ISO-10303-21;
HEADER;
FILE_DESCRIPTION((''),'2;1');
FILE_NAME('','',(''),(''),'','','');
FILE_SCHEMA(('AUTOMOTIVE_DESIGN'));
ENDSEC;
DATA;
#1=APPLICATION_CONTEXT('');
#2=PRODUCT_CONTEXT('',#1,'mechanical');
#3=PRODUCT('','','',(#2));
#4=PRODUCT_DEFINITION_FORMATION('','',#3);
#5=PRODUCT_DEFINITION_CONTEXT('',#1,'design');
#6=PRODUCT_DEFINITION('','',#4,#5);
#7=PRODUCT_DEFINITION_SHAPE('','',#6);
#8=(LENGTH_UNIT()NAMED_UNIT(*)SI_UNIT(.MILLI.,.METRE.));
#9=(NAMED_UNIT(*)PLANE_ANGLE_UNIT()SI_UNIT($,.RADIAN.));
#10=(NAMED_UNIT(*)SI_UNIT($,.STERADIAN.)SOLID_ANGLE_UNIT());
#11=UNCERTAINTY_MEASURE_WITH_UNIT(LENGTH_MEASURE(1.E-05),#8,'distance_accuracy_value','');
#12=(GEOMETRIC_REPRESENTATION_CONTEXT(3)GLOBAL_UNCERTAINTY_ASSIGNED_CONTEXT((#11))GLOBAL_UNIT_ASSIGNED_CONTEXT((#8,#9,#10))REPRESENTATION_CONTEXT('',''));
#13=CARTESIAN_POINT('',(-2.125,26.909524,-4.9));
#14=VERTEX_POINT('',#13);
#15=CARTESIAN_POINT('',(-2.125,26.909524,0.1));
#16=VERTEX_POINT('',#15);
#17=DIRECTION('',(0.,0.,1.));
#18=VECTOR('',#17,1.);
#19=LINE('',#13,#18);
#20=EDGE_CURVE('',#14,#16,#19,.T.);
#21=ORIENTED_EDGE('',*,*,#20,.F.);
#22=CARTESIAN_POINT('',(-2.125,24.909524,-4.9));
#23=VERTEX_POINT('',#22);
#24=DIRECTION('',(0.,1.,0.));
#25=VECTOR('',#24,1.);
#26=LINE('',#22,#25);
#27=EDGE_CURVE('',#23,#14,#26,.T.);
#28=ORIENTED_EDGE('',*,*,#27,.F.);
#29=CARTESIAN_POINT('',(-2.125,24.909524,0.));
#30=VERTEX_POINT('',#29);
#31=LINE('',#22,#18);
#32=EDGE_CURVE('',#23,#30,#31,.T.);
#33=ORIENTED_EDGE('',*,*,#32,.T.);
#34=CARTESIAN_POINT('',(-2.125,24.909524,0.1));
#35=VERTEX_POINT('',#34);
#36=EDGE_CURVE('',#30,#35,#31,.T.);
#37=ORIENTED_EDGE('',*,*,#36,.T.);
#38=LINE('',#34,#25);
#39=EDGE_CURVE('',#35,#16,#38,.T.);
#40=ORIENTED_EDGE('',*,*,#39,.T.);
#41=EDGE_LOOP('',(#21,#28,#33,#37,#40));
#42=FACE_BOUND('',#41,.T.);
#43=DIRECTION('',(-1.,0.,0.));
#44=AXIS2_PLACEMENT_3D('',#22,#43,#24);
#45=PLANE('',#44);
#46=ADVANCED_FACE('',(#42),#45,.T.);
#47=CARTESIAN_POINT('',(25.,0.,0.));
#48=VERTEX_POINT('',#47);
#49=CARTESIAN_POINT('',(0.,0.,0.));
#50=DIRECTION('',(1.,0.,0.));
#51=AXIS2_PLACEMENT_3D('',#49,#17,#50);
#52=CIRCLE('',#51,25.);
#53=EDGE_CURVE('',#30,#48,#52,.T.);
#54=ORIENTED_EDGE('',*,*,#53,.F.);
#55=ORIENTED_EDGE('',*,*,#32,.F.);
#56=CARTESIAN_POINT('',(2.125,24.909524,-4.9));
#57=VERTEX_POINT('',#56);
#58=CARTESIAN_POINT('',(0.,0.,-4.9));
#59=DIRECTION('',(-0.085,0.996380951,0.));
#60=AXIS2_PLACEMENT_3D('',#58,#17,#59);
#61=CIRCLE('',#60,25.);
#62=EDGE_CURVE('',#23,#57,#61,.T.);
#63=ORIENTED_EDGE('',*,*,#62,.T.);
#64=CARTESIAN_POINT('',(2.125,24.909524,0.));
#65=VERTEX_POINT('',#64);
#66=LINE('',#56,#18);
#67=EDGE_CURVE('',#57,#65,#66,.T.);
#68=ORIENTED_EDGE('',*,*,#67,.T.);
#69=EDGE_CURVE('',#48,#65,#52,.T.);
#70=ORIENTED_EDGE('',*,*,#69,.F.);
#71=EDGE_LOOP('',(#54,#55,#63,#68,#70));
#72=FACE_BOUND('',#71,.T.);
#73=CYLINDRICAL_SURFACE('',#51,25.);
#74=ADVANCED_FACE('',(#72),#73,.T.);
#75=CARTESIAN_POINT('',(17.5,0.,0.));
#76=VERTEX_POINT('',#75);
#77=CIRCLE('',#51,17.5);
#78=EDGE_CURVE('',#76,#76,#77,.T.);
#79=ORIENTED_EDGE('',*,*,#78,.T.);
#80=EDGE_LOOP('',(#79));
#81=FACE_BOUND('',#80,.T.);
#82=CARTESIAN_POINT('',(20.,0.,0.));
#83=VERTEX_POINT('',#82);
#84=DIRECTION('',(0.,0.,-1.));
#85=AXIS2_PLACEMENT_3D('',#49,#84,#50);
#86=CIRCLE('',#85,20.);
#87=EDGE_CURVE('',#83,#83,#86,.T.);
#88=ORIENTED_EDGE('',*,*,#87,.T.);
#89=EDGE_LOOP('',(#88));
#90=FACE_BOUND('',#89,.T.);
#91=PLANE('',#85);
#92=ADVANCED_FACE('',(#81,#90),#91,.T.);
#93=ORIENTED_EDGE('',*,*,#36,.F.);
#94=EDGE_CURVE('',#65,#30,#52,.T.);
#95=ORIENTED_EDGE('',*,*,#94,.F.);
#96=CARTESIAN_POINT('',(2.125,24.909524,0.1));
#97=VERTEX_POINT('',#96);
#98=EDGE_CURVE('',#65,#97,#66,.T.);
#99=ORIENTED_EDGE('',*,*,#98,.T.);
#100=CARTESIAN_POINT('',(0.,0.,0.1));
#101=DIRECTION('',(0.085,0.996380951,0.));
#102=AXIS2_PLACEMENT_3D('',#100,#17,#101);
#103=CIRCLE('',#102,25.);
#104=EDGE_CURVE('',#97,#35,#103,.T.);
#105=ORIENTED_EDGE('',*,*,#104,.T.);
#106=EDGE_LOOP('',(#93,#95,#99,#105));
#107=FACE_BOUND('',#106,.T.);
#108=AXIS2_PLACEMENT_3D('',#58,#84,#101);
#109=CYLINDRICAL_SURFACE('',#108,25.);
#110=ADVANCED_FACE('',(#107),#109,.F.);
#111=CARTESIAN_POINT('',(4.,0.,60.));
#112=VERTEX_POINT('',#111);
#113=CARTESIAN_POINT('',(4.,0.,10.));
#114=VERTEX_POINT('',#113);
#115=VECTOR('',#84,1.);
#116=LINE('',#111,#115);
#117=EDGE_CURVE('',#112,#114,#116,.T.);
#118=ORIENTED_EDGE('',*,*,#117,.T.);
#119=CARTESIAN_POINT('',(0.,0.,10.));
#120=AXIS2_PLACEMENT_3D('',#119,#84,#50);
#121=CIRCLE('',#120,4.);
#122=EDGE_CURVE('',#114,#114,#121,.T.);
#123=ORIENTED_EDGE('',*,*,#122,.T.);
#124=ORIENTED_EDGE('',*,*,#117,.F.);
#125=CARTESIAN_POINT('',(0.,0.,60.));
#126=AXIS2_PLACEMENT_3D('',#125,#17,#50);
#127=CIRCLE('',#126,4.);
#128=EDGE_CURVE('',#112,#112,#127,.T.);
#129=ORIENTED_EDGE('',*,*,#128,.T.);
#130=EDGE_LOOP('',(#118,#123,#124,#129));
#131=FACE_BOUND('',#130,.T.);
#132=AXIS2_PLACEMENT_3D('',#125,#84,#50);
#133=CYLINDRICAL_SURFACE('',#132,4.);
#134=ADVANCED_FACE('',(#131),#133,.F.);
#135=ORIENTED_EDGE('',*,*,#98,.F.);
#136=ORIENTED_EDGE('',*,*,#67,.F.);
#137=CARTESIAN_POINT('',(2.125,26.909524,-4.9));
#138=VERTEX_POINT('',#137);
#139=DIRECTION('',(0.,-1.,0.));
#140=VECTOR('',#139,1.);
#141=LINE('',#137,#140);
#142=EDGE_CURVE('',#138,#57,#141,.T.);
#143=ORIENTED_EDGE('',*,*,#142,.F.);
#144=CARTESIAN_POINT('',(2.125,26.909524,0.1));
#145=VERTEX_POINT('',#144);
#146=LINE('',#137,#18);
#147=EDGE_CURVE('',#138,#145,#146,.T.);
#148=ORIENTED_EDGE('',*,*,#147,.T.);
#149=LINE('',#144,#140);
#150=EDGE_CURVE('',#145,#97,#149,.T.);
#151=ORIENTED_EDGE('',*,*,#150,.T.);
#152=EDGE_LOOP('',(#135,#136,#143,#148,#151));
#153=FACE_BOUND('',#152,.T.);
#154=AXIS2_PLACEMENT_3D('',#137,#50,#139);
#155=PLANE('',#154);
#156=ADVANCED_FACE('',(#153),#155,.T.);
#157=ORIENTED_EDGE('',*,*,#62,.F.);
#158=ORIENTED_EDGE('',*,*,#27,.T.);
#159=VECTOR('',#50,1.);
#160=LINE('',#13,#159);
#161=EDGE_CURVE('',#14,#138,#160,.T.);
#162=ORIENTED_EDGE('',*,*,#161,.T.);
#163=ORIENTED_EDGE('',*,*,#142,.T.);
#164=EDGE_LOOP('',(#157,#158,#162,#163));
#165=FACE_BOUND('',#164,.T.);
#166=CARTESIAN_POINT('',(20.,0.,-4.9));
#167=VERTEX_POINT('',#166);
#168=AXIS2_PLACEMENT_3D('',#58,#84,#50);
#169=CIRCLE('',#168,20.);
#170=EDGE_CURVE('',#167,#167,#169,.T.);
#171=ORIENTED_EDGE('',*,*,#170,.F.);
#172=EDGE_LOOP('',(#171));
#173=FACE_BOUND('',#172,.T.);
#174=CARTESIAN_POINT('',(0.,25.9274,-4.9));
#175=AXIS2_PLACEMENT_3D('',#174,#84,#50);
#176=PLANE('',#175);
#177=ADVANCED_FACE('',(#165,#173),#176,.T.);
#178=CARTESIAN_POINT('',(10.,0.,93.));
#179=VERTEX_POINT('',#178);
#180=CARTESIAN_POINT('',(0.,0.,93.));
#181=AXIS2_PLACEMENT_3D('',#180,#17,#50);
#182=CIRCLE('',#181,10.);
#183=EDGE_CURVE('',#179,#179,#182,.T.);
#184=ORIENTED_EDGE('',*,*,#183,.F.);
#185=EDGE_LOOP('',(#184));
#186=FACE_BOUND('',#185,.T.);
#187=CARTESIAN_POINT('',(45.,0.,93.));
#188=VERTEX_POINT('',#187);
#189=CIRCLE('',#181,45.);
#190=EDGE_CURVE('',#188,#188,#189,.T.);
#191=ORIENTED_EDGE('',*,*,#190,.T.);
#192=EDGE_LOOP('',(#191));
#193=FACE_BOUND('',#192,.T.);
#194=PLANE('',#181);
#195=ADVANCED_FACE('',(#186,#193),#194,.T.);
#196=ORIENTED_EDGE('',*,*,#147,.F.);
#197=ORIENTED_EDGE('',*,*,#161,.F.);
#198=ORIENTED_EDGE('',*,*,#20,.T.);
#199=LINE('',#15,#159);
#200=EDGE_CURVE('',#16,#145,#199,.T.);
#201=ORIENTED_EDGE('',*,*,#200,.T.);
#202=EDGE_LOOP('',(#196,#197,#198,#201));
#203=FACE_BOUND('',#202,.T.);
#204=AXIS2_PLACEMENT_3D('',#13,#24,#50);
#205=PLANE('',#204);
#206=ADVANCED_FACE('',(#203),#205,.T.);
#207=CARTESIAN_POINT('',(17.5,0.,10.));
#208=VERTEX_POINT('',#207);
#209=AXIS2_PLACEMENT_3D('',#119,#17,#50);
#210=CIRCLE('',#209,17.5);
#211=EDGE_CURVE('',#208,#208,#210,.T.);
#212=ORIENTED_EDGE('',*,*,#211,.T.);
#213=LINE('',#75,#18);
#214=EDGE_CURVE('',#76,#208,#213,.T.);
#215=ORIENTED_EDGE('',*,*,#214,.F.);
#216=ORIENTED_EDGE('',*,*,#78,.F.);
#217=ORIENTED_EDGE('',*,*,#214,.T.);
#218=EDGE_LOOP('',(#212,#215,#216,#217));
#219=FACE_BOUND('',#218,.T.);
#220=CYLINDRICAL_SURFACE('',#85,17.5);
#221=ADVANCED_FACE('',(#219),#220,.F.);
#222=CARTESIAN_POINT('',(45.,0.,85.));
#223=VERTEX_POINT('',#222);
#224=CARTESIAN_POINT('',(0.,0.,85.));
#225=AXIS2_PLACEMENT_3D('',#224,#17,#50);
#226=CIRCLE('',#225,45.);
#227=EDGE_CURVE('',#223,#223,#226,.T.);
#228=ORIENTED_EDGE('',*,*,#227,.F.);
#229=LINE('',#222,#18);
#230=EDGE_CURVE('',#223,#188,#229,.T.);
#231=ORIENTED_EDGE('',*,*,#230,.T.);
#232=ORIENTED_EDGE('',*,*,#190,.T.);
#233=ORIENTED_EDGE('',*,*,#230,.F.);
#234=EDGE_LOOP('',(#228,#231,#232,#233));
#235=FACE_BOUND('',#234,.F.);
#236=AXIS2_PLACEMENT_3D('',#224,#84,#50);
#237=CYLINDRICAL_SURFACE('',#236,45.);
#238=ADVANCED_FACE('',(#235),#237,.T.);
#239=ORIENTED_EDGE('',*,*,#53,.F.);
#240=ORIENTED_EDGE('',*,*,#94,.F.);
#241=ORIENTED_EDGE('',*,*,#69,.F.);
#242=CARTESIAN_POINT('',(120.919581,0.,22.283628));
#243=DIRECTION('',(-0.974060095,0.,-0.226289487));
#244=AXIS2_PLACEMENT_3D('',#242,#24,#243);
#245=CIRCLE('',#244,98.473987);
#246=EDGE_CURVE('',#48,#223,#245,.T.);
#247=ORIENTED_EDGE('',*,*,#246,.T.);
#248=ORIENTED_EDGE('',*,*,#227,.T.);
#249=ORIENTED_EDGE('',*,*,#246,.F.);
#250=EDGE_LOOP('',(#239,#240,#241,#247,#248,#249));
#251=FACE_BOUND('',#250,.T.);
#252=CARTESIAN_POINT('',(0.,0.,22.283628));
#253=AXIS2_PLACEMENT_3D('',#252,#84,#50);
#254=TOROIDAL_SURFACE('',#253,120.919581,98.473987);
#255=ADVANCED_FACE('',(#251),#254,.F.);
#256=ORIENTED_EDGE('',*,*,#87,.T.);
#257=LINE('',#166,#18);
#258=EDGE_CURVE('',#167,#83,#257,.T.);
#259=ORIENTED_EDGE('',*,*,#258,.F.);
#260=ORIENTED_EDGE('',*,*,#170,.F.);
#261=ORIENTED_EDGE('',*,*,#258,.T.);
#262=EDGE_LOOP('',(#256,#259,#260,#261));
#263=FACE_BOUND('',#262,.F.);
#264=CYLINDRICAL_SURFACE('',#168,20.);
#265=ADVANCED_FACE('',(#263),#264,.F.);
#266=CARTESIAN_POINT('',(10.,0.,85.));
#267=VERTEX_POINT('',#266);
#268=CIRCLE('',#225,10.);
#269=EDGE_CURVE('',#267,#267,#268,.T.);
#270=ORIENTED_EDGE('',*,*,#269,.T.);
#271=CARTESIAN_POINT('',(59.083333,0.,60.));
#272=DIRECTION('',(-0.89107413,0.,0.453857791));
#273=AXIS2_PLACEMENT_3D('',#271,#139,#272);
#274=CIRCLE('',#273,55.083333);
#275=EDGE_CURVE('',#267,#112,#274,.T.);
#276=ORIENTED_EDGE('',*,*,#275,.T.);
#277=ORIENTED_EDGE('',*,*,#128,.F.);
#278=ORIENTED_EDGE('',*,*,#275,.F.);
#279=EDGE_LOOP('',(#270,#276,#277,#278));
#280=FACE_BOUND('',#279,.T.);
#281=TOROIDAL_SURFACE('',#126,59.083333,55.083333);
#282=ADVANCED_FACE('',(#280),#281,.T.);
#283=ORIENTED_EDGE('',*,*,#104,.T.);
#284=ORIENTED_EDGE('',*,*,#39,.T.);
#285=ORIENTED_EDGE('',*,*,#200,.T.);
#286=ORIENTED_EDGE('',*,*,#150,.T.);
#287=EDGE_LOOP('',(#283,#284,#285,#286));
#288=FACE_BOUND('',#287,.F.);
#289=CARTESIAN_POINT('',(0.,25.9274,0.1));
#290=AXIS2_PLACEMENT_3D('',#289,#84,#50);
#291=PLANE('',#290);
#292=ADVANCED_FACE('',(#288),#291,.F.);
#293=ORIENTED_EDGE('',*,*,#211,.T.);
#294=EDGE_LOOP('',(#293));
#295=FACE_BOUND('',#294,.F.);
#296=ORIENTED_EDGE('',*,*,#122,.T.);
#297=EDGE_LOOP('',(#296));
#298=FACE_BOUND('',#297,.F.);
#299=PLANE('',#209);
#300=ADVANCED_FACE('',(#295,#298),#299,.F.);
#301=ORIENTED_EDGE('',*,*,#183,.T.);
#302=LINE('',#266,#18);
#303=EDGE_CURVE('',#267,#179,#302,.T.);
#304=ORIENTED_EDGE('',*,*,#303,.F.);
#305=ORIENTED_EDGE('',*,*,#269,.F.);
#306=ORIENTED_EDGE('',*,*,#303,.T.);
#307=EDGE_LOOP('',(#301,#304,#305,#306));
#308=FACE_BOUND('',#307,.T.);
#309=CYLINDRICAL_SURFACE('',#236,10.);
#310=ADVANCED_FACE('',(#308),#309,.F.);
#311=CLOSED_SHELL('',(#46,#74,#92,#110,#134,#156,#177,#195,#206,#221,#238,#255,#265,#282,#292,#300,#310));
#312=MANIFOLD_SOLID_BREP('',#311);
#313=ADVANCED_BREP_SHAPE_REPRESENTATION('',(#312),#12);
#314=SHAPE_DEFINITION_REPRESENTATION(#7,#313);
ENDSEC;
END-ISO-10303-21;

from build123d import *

# Parameters (mm, degrees)
F3_DEPTH  = 4.9
F4_R      = 20
F4_R_2    = 4
F5_DEPTH  = 4.9
F6_DEPTH  = 8
F7_R      = 17.5
F8_DEPTH  = 10
F10_DEPTH = 5


with BuildPart() as f2:
    # F0 (on Front) → F2 (revolve)
    with BuildSketch(Plane.XZ):
        with BuildLine():
            Line((4, 0), (25, 0))
            ThreePointArc((25, 0), (25.0633115181, 44.8380443487), (45, 85))
            Line((45, 85), (10, 85))
            ThreePointArc((10, 85), (5.5209994492, 72.8549601322), (4, 60))
            Line((4, 60), (4, 0))
        make_face()
    revolve(axis=Axis((0, 0, 25.1682717353), (0, 0, 1)))

    # F3 (add): a face of the model
    f3_faces = [f2.faces().sort_by_distance(p)[0] for p in [
        (-4.7071067812, 0, 0),
    ]]
    extrude(f3_faces, amount=F3_DEPTH)

    # F4 (on face) → F5 (cut)
    with BuildSketch(Plane(origin=(0, 0, -4.9), x_dir=(1, 0, 0), z_dir=(0, 0, -1))):
        Circle(F4_R)
        Circle(F4_R_2, mode=Mode.SUBTRACT)
    extrude(amount=-F5_DEPTH, mode=Mode.SUBTRACT)

    # F6 (add): a face of the model
    f6_faces = [f2.faces().sort_by_distance(p)[0] for p in [
        (-43.7272077939, 0, 85),
    ]]
    extrude(f6_faces, amount=F6_DEPTH)

    # F7 (on Top) → F8 (cut)
    with BuildSketch(Plane.XY):
        Circle(F7_R)
    extrude(amount=F8_DEPTH, mode=Mode.SUBTRACT)

    # F9 (on face) → F10 (join)
    with BuildSketch(Plane(origin=(0, 0, -4.9), x_dir=(1, 0, 0), z_dir=(0, 0, -1))):
        with BuildLine():
            ThreePointArc((2.125, -24.9095237811), (0, -25), (-2.125, -24.9095237811))
            Line((-2.125, -24.9095237811), (-2.125, -26.9095237811))
            Line((-2.125, -26.9095237811), (2.125, -26.9095237811))
            Line((2.125, -26.9095237811), (2.125, -24.9095237811))
        make_face()
    extrude(amount=-F10_DEPTH)


solid = f2.part
